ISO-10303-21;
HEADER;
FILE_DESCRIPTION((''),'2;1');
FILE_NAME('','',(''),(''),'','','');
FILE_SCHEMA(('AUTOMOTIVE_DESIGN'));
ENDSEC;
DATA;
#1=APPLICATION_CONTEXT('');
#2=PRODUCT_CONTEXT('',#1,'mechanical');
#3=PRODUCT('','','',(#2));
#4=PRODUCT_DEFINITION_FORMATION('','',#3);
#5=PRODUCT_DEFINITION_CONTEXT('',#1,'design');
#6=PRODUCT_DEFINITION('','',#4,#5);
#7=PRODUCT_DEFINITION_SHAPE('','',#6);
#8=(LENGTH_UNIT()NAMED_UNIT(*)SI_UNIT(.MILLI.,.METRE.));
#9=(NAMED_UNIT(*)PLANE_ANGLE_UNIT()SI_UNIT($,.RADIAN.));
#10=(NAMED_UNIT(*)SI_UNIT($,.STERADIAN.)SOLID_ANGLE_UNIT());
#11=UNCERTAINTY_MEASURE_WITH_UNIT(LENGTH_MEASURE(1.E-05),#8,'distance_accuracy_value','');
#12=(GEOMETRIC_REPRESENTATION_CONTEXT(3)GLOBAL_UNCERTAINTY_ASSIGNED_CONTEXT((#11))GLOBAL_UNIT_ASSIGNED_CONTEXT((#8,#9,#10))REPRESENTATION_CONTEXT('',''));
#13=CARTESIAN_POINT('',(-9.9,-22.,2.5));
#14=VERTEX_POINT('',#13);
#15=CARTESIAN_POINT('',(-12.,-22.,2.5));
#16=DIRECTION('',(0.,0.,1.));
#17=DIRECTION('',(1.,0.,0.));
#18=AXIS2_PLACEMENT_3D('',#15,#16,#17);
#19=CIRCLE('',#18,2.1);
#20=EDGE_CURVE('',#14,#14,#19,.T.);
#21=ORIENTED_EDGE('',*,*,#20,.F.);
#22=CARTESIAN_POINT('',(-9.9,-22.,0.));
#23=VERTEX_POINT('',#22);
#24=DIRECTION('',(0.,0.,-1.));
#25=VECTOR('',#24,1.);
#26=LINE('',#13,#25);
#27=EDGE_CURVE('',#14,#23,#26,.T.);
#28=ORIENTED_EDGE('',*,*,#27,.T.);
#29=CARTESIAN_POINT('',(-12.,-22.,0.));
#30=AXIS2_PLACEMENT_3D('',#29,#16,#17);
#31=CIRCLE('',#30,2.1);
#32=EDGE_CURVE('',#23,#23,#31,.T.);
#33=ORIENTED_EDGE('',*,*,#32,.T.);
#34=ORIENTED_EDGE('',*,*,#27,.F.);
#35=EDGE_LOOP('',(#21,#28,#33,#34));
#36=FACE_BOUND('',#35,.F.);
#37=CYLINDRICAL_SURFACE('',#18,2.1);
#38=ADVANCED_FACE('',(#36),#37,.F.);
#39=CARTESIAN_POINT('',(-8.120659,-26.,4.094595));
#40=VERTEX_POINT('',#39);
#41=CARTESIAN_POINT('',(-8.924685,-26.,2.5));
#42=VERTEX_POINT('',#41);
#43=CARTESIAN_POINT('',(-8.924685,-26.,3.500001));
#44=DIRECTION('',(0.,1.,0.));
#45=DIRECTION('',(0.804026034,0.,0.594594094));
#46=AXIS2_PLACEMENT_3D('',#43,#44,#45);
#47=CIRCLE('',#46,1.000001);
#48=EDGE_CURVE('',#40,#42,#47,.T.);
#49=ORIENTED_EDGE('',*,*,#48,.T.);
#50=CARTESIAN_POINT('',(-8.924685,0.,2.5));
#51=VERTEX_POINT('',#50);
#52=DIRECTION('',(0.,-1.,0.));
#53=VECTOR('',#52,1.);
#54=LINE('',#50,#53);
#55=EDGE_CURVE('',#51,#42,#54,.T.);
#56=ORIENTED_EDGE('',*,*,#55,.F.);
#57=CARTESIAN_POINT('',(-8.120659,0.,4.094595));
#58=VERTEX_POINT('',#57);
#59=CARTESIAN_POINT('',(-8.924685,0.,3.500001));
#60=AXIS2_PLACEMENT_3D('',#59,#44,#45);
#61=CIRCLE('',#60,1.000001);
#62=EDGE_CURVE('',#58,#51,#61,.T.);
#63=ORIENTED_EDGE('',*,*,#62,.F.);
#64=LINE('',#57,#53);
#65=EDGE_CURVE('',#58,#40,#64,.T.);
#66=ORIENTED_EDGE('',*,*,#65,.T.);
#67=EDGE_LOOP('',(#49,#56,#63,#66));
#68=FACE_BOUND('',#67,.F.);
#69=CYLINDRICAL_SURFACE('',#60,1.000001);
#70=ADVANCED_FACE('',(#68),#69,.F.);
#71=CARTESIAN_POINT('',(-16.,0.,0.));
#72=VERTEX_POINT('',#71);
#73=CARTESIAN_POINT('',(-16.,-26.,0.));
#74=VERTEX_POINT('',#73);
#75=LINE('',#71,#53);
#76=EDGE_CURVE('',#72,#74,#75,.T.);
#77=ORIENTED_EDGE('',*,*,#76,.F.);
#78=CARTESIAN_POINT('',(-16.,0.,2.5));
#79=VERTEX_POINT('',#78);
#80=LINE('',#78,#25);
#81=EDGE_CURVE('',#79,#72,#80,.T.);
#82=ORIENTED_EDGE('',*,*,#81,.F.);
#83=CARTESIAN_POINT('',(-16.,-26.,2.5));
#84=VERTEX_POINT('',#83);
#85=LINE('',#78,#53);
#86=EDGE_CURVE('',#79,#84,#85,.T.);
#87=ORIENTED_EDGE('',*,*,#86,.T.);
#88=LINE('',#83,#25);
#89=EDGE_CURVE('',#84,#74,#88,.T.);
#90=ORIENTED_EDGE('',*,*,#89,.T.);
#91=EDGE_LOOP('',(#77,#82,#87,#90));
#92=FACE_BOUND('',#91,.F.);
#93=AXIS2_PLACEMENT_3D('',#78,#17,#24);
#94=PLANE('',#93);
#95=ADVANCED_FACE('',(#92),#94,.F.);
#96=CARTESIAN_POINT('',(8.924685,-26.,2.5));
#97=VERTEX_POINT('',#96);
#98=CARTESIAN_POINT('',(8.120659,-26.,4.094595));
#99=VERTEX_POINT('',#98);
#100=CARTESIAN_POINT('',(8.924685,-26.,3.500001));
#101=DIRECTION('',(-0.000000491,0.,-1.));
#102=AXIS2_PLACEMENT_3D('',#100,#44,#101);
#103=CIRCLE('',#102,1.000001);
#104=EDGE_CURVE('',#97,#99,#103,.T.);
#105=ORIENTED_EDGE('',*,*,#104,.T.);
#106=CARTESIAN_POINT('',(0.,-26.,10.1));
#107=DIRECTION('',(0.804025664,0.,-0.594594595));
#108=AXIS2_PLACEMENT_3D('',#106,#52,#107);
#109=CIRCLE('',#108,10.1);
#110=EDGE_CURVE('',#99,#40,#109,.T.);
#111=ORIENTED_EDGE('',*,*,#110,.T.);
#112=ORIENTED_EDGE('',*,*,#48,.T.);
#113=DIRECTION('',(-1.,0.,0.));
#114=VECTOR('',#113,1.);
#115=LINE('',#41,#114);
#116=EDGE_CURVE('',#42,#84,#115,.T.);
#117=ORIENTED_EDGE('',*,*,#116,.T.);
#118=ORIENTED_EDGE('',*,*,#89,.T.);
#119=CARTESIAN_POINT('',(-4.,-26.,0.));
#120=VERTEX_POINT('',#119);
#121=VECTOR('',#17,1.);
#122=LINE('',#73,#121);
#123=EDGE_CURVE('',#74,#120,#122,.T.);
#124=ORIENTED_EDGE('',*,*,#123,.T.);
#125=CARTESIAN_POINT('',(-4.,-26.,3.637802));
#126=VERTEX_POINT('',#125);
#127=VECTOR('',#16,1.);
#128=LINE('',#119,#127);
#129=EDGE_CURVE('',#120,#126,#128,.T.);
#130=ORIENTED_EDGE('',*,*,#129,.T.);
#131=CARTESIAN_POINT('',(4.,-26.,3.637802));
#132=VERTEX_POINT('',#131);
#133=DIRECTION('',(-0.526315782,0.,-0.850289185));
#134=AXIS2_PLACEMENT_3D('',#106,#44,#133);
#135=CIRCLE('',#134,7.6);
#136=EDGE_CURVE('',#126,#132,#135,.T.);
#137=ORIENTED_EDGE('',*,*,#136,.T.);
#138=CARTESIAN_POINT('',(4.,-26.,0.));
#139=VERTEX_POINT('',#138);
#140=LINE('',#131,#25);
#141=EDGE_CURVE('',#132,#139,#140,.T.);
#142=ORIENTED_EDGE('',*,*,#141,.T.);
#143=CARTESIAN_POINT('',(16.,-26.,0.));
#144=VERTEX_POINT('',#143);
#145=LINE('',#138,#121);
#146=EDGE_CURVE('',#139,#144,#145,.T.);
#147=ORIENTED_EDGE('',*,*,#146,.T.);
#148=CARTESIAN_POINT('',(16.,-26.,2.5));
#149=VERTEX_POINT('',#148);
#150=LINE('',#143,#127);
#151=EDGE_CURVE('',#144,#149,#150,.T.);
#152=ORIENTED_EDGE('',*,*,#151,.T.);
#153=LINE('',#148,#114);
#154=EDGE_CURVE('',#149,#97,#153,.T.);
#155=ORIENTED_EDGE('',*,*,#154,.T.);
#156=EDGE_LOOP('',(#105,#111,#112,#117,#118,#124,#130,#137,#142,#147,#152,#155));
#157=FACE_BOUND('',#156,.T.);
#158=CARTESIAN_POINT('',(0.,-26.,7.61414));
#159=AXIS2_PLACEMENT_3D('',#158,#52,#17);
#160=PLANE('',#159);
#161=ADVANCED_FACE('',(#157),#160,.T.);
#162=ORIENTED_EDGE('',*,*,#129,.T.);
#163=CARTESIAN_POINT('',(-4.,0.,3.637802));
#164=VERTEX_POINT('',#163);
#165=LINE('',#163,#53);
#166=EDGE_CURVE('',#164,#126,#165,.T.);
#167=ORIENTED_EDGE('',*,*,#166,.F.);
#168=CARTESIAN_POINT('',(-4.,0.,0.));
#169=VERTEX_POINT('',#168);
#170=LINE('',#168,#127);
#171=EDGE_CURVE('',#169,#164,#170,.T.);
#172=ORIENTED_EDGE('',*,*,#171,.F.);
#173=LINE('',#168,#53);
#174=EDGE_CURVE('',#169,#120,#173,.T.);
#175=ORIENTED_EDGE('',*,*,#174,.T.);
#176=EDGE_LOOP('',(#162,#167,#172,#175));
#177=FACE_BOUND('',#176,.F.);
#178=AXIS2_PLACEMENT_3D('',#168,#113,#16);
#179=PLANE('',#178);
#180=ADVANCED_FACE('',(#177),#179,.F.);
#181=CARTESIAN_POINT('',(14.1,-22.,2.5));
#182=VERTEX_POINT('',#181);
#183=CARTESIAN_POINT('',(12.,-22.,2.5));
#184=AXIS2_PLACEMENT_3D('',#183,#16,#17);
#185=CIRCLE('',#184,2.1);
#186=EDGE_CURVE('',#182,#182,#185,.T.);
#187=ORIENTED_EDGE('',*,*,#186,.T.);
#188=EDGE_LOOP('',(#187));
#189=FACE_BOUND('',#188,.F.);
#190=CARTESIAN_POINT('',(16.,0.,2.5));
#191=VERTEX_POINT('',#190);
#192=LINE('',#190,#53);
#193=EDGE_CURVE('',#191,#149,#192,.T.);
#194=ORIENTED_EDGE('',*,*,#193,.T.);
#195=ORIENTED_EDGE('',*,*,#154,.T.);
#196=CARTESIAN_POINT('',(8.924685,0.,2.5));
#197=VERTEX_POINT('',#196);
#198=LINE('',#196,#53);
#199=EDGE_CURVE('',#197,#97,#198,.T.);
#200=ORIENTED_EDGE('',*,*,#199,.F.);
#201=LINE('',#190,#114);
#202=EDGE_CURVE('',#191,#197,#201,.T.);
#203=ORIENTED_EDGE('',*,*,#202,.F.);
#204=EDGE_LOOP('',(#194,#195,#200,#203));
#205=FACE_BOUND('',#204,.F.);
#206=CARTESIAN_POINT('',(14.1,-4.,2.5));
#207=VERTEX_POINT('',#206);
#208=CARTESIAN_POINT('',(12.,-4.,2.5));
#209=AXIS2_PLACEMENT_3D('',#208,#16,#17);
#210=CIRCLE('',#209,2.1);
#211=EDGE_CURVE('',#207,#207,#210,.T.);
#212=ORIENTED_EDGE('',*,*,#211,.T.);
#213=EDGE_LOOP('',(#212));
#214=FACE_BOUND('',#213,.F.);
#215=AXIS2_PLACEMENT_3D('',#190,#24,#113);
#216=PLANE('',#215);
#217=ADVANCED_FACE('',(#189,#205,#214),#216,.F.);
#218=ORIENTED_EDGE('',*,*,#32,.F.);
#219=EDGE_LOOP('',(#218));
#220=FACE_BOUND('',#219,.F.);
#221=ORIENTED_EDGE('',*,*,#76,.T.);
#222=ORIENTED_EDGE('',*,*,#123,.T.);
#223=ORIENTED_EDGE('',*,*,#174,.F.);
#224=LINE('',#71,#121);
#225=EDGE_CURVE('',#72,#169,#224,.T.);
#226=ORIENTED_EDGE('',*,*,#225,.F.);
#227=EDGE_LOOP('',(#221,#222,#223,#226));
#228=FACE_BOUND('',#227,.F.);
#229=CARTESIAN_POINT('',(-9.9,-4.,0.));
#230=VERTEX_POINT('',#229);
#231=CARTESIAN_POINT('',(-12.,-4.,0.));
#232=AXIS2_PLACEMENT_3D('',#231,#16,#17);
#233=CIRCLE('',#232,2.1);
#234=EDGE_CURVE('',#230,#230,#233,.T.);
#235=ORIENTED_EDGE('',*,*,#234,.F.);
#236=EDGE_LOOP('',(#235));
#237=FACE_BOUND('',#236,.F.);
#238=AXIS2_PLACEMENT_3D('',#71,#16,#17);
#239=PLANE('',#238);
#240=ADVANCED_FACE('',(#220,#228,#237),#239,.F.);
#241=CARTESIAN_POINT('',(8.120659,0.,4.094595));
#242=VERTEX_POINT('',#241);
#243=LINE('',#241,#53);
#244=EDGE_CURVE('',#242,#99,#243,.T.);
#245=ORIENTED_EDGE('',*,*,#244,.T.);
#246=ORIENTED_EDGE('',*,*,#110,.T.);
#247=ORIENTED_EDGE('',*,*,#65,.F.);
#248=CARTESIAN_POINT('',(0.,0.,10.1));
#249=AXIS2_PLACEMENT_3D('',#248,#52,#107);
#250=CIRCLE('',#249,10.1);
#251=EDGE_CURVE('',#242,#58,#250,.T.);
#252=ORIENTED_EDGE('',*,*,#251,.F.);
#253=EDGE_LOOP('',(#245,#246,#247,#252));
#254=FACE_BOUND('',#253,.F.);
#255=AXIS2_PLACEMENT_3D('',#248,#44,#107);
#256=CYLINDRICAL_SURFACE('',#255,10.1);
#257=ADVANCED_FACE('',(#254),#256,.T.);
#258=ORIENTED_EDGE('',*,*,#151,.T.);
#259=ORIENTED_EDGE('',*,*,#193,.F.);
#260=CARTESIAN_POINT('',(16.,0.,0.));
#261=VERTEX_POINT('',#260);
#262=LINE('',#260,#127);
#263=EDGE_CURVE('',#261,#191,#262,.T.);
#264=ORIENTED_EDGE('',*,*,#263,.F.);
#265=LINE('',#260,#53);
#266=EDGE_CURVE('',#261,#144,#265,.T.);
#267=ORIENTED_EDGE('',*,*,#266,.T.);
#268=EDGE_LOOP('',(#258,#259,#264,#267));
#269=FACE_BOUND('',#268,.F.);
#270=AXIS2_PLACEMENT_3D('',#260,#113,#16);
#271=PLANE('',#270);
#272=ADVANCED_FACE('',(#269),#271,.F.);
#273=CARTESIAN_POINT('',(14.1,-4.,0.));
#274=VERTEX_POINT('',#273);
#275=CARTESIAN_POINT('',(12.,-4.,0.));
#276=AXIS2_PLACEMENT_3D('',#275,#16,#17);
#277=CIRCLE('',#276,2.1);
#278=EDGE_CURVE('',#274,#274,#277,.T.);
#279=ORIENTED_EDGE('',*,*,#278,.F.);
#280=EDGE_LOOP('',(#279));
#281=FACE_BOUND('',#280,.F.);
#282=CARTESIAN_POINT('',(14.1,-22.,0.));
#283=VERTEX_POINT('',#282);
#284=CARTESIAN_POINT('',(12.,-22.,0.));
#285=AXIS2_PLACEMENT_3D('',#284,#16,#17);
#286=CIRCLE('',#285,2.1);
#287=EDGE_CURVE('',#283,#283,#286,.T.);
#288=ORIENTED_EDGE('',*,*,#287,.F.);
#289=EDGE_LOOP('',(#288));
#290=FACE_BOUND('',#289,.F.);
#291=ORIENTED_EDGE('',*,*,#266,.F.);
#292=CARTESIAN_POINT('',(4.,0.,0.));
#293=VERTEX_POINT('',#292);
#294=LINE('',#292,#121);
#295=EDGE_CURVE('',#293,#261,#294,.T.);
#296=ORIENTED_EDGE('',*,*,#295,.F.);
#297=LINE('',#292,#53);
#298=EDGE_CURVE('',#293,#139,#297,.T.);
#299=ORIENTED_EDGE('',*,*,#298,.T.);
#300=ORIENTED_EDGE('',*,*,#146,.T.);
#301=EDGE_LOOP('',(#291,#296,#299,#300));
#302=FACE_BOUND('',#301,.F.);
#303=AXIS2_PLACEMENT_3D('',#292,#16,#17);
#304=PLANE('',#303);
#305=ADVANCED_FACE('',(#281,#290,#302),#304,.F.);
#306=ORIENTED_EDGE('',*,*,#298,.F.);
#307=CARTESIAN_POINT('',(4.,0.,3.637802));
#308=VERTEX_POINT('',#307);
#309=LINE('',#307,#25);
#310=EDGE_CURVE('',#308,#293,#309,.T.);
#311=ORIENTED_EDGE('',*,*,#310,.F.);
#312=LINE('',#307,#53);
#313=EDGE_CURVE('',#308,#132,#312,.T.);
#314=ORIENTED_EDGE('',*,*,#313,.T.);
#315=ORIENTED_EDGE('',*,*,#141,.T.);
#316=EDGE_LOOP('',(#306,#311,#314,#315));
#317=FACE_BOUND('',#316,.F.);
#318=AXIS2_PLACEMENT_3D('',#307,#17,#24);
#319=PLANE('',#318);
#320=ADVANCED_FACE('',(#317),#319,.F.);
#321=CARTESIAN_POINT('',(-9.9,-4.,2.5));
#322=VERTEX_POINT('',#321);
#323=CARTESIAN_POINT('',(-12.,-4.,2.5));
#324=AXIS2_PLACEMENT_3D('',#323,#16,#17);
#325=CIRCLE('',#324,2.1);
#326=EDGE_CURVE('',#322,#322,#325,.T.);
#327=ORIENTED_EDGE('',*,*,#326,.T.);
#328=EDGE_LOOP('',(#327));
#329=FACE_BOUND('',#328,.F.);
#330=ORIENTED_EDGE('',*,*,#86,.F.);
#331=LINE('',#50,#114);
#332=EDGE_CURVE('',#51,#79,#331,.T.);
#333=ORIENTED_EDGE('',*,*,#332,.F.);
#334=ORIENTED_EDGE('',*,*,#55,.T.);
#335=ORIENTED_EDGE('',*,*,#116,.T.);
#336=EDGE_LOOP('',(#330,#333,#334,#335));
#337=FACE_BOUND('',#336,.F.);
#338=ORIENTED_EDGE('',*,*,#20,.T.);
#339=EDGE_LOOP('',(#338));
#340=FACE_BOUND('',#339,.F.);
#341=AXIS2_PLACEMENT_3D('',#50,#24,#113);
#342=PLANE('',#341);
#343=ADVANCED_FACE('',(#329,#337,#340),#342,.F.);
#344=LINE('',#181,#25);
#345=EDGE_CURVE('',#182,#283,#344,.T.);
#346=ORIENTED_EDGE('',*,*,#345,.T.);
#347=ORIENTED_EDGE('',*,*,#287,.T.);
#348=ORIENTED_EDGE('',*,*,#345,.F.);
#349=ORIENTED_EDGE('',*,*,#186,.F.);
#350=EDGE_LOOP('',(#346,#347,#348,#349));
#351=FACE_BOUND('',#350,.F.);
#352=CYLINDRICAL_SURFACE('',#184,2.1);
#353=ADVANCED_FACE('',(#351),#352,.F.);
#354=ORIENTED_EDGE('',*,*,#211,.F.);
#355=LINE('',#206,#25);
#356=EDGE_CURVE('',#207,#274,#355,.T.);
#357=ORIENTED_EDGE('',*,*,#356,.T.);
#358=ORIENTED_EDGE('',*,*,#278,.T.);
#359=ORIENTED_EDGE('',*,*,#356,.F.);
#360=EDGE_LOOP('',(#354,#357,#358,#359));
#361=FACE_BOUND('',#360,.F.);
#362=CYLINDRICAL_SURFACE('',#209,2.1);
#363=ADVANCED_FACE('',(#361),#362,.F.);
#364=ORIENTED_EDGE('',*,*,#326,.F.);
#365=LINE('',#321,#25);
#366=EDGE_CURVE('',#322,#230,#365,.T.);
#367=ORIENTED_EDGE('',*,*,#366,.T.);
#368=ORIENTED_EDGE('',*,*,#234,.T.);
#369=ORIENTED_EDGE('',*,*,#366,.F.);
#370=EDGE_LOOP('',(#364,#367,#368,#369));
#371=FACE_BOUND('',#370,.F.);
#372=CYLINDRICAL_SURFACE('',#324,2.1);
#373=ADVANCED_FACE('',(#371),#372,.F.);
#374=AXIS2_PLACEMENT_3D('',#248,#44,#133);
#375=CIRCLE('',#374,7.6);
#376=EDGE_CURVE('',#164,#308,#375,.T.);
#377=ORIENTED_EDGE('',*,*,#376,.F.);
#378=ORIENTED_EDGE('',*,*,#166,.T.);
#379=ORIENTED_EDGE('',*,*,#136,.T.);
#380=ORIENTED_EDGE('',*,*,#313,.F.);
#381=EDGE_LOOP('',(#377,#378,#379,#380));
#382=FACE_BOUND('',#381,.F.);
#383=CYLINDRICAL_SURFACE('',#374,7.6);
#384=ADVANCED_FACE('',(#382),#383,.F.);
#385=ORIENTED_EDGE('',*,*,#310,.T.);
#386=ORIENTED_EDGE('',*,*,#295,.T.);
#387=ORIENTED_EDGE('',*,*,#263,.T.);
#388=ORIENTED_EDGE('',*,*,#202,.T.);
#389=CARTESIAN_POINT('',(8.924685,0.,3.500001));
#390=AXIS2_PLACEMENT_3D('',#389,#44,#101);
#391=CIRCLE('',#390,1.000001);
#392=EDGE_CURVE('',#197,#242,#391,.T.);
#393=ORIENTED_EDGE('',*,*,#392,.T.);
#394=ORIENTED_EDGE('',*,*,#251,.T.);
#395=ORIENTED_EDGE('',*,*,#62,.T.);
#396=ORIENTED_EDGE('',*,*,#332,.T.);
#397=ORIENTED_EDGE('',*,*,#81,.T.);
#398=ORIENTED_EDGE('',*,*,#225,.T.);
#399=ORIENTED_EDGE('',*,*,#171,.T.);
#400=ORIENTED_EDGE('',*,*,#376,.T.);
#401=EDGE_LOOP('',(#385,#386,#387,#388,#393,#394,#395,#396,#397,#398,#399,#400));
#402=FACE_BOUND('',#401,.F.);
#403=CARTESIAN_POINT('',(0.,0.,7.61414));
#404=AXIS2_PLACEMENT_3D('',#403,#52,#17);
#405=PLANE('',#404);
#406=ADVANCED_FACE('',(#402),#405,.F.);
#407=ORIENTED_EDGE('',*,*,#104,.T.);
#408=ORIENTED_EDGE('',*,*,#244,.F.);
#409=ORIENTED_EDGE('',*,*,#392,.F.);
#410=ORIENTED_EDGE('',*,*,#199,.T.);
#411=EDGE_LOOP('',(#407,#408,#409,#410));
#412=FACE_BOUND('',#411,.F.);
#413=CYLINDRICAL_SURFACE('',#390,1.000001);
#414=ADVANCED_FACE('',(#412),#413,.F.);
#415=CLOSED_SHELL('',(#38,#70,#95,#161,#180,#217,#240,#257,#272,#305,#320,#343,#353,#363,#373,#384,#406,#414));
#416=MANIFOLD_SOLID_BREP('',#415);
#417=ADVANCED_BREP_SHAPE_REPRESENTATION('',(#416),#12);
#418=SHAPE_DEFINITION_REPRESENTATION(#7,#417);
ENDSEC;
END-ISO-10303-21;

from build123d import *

# Parameters (mm, degrees)
F1_DEPTH = 26
F2_R     = 2.1
F3_DEPTH = 2.5


with BuildPart() as f1:
    # F0 (on Front) → F1 (new body)
    with BuildSketch(Plane.XZ):
        with BuildLine():
            Line((-16, 2.5), (-16, 0))
            Line((-16, 0), (-4, 0))
            Line((-4, 0), (-4, 3.637802))
            ThreePointArc((-4, 3.637802), (0, 17.7), (4, 3.637802))
            Line((4, 3.637802), (4, 0))
            Line((4, 0), (16, 0))
            Line((16, 0), (16, 2.5))
            Line((16, 2.5), (8.924685, 2.5))
            ThreePointArc((8.924685, 2.5), (8.03177, 3.049775), (8.120659, 4.094595))
            ThreePointArc((8.120659, 4.094595), (0, 20.2), (-8.120659, 4.094595))
            ThreePointArc((-8.120659, 4.094595), (-8.03177, 3.049775), (-8.924685, 2.5))
            Line((-8.924685, 2.5), (-16, 2.5))
        make_face()
    extrude(amount=F1_DEPTH)

    # F2 (on face) → F3 (cut, through all)
    with BuildSketch(Plane.XY.offset(2.5)):
        with Locations((-12, -22)):
            Circle(F2_R)
        with Locations((-12, -4)):
            Circle(F2_R)
        with Locations((12, -22)):
            Circle(F2_R)
        with Locations((12, -4)):
            Circle(F2_R)
    extrude(amount=-F3_DEPTH, mode=Mode.SUBTRACT)


solid = f1.part
